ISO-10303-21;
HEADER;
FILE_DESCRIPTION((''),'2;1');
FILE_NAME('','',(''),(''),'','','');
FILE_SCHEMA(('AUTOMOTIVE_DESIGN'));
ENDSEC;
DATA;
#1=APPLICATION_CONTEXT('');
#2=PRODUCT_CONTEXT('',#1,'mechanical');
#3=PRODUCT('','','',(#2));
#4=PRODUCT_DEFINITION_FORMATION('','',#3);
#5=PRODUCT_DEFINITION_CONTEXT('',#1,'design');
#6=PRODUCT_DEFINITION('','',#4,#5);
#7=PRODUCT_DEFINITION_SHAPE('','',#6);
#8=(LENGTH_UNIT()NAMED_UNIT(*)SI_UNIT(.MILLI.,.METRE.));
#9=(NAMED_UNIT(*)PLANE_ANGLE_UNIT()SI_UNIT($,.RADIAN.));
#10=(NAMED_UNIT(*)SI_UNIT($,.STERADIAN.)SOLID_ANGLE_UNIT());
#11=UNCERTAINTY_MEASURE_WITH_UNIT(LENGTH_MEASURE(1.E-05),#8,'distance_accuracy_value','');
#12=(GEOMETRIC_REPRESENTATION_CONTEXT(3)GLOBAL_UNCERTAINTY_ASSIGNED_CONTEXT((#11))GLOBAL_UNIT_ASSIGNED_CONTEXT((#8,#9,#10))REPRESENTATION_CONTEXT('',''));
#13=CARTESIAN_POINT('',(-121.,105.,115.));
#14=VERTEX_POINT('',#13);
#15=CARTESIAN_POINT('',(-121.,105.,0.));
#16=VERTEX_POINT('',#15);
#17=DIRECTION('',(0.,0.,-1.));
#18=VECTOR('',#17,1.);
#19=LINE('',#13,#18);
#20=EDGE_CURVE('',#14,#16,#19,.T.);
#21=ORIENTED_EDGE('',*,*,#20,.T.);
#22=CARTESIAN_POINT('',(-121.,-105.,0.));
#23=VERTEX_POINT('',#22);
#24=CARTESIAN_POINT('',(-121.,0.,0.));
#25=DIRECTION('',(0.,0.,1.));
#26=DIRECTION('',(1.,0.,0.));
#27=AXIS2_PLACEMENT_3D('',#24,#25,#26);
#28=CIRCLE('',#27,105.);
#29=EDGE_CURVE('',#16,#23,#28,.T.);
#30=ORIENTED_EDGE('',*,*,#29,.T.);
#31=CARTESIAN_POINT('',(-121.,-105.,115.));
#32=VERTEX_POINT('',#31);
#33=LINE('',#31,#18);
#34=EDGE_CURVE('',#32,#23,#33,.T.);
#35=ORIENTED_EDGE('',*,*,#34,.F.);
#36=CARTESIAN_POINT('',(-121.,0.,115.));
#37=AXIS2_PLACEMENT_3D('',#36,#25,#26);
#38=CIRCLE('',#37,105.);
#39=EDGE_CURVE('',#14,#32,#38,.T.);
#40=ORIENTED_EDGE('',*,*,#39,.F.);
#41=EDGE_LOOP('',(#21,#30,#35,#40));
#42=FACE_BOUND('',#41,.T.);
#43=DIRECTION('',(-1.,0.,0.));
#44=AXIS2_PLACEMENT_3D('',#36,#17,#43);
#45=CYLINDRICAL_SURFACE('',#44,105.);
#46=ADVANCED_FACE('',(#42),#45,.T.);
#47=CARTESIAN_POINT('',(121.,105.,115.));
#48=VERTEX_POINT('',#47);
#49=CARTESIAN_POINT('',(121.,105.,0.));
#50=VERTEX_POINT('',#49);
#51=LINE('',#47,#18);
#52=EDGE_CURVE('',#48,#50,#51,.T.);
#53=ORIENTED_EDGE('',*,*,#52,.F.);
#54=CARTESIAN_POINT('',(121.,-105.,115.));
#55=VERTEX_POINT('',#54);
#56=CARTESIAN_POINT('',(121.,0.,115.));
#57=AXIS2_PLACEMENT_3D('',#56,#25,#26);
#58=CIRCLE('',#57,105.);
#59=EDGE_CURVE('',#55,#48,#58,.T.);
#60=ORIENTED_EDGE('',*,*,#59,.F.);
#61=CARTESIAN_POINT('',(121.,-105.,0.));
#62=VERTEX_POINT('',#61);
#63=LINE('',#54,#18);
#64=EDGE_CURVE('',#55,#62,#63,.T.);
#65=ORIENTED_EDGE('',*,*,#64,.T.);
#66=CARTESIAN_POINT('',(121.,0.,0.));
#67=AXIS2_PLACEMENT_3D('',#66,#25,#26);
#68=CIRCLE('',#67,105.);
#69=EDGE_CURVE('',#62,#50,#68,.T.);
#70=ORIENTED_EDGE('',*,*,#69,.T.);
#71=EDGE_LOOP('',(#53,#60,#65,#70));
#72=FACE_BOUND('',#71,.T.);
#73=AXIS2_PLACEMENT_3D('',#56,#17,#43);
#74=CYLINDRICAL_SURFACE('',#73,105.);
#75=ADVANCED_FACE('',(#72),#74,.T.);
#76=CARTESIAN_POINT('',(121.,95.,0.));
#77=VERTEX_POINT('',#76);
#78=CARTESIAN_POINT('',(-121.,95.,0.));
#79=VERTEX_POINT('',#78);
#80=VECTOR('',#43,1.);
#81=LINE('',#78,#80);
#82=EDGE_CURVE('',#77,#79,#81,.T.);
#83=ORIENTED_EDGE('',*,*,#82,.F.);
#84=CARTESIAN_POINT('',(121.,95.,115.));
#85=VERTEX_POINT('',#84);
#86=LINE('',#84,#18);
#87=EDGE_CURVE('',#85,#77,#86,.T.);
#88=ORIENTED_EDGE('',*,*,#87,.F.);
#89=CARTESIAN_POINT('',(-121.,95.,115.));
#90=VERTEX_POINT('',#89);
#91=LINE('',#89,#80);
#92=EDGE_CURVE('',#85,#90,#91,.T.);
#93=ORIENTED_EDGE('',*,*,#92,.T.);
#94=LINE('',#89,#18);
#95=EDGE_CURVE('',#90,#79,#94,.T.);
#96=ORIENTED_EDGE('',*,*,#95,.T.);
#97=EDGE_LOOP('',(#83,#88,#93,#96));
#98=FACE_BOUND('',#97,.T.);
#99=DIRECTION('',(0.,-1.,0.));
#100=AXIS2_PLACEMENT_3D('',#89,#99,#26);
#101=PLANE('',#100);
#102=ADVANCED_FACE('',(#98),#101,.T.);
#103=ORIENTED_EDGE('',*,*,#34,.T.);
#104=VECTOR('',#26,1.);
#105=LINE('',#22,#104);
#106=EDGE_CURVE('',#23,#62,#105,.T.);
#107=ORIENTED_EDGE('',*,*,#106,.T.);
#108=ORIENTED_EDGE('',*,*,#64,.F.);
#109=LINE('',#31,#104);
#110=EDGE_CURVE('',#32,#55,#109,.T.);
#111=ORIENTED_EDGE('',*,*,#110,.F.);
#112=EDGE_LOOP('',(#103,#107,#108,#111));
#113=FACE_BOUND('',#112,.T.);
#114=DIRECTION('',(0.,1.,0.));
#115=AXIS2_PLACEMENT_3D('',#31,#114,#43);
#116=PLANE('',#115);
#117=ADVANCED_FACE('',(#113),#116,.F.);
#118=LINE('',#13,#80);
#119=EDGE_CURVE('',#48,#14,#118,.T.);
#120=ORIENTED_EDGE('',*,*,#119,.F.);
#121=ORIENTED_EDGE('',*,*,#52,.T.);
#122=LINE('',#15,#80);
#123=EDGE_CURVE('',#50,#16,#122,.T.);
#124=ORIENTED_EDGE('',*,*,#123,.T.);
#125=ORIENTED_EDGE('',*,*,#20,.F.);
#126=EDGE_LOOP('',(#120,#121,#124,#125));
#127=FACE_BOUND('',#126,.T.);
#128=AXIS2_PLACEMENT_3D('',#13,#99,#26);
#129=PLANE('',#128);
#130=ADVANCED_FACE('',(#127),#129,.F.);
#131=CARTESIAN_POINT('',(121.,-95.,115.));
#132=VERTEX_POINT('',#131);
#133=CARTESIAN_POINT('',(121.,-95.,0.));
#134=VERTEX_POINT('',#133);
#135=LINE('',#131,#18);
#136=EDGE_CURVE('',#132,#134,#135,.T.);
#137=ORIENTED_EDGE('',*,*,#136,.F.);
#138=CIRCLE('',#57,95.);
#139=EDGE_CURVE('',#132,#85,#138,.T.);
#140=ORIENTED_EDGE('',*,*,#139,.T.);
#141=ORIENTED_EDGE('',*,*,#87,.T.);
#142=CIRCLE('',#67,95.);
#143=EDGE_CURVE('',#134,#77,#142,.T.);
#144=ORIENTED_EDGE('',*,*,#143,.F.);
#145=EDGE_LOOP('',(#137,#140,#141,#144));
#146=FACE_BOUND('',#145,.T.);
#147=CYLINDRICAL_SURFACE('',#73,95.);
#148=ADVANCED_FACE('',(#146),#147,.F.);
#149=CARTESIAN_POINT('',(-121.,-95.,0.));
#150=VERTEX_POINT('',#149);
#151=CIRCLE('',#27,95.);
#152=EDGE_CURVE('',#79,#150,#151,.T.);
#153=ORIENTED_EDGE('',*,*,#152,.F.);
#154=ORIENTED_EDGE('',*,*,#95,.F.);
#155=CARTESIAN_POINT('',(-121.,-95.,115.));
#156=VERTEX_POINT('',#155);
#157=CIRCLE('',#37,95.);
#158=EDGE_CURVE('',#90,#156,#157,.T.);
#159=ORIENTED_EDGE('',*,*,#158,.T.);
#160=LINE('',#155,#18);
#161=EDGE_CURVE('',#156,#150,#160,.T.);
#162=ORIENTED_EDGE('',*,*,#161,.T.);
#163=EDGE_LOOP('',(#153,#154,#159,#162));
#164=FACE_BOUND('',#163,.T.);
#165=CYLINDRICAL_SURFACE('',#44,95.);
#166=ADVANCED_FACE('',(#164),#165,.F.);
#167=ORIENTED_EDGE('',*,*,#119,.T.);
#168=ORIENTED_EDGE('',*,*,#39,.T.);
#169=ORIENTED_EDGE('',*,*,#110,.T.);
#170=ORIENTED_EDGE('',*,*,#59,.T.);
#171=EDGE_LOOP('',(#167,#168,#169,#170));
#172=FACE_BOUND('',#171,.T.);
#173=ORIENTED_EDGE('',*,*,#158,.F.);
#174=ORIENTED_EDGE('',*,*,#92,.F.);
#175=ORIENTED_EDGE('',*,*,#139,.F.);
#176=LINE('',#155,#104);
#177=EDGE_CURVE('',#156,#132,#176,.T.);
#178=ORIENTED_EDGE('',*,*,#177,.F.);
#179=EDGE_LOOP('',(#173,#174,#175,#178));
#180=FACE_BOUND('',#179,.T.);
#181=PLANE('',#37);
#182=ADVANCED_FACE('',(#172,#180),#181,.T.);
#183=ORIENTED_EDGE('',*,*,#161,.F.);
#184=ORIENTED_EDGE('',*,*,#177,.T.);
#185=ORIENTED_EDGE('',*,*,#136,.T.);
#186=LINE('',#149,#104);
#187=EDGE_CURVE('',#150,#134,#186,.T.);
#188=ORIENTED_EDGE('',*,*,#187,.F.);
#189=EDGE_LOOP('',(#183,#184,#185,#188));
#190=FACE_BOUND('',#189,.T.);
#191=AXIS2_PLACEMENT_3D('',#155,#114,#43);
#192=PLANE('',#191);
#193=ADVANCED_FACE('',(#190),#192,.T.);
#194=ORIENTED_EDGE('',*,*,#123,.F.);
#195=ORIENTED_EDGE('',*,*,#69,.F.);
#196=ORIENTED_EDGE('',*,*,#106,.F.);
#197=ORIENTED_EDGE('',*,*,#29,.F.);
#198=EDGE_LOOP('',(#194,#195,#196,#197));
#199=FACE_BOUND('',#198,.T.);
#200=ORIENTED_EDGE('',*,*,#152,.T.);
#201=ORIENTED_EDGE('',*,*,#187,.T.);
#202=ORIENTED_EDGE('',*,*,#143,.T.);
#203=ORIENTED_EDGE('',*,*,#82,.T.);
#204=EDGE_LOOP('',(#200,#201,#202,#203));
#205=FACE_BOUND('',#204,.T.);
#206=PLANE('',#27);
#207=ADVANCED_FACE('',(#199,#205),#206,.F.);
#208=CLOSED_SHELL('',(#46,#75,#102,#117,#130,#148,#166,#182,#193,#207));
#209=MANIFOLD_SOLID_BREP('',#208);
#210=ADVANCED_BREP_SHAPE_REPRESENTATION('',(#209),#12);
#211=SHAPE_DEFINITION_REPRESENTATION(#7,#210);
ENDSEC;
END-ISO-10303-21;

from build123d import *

# Parameters (mm, degrees)
ESTRUSIONE_ESTRUSIONE1_DEPTH = 115


with BuildPart() as part:
    # Schizzo1 → Estrusione-Estrusione1 (new body)
    with BuildSketch(Plane.XY):
        with BuildLine():
            Line((-121, 105), (121, 105))
            ThreePointArc((121, 105), (226, 0), (121, -105))
            Line((121, -105), (-121, -105))
            ThreePointArc((-121, -105), (-226, 0), (-121, 105))
        make_face()
        with BuildLine():
            Line((-121, 95), (121, 95))
            ThreePointArc((121, 95), (216, 0), (121, -95))
            Line((121, -95), (-121, -95))
            ThreePointArc((-121, -95), (-216, 0), (-121, 95))
        make_face(mode=Mode.SUBTRACT)
    extrude(amount=ESTRUSIONE_ESTRUSIONE1_DEPTH)


solid = part.part
